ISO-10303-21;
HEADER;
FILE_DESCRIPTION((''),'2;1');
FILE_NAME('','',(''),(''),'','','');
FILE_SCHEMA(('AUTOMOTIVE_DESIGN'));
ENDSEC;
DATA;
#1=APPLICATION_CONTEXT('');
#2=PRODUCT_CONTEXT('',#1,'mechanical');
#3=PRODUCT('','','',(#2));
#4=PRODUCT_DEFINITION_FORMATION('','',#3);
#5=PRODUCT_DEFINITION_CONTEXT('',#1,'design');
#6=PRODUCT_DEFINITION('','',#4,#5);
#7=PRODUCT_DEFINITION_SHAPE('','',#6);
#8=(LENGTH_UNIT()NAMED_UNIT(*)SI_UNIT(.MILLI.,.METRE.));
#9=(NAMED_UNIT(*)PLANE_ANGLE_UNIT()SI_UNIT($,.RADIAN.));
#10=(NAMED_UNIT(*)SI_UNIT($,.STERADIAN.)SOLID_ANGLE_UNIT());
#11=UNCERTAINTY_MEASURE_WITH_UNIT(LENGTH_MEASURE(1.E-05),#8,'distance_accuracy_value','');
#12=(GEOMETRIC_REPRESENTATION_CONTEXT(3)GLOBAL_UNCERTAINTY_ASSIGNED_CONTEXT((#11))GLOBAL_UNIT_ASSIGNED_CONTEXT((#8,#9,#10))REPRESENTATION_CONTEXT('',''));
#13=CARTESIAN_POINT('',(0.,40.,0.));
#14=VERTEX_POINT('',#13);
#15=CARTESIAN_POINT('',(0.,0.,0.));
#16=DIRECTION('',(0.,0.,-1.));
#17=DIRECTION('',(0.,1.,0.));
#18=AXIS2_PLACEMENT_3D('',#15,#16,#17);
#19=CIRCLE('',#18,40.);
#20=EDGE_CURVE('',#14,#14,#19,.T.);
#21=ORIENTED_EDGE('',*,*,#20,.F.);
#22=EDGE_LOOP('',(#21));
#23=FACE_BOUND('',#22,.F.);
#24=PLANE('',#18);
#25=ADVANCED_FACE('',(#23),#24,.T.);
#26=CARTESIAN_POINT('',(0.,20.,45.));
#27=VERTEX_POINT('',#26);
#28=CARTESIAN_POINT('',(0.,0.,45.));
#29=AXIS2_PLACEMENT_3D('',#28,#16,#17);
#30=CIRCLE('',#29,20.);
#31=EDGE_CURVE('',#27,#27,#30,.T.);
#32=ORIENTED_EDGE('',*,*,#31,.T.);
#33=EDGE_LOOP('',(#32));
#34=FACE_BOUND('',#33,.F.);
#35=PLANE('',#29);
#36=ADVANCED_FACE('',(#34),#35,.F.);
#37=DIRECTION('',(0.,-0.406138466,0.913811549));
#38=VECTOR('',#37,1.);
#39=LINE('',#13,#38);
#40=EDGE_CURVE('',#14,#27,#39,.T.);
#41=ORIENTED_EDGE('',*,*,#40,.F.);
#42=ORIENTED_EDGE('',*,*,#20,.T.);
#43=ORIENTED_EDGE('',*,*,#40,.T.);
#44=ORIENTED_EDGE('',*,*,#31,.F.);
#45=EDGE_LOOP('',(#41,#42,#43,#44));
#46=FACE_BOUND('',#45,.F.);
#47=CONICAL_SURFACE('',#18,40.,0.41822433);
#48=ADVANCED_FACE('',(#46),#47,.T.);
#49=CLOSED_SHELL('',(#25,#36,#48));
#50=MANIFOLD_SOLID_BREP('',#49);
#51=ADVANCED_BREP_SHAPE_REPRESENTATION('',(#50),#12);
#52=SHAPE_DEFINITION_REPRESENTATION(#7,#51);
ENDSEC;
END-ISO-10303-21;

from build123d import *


with BuildPart() as f1:
    # F0 (on Right) → F1 (revolve)
    with BuildSketch(Plane.YZ):
        Polygon((0, 45), (0, 0), (40, 0), (20, 45), align=None)
    revolve(axis=Axis((0, 0, 4.590163), (0, 0, -1)))


solid = f1.part
